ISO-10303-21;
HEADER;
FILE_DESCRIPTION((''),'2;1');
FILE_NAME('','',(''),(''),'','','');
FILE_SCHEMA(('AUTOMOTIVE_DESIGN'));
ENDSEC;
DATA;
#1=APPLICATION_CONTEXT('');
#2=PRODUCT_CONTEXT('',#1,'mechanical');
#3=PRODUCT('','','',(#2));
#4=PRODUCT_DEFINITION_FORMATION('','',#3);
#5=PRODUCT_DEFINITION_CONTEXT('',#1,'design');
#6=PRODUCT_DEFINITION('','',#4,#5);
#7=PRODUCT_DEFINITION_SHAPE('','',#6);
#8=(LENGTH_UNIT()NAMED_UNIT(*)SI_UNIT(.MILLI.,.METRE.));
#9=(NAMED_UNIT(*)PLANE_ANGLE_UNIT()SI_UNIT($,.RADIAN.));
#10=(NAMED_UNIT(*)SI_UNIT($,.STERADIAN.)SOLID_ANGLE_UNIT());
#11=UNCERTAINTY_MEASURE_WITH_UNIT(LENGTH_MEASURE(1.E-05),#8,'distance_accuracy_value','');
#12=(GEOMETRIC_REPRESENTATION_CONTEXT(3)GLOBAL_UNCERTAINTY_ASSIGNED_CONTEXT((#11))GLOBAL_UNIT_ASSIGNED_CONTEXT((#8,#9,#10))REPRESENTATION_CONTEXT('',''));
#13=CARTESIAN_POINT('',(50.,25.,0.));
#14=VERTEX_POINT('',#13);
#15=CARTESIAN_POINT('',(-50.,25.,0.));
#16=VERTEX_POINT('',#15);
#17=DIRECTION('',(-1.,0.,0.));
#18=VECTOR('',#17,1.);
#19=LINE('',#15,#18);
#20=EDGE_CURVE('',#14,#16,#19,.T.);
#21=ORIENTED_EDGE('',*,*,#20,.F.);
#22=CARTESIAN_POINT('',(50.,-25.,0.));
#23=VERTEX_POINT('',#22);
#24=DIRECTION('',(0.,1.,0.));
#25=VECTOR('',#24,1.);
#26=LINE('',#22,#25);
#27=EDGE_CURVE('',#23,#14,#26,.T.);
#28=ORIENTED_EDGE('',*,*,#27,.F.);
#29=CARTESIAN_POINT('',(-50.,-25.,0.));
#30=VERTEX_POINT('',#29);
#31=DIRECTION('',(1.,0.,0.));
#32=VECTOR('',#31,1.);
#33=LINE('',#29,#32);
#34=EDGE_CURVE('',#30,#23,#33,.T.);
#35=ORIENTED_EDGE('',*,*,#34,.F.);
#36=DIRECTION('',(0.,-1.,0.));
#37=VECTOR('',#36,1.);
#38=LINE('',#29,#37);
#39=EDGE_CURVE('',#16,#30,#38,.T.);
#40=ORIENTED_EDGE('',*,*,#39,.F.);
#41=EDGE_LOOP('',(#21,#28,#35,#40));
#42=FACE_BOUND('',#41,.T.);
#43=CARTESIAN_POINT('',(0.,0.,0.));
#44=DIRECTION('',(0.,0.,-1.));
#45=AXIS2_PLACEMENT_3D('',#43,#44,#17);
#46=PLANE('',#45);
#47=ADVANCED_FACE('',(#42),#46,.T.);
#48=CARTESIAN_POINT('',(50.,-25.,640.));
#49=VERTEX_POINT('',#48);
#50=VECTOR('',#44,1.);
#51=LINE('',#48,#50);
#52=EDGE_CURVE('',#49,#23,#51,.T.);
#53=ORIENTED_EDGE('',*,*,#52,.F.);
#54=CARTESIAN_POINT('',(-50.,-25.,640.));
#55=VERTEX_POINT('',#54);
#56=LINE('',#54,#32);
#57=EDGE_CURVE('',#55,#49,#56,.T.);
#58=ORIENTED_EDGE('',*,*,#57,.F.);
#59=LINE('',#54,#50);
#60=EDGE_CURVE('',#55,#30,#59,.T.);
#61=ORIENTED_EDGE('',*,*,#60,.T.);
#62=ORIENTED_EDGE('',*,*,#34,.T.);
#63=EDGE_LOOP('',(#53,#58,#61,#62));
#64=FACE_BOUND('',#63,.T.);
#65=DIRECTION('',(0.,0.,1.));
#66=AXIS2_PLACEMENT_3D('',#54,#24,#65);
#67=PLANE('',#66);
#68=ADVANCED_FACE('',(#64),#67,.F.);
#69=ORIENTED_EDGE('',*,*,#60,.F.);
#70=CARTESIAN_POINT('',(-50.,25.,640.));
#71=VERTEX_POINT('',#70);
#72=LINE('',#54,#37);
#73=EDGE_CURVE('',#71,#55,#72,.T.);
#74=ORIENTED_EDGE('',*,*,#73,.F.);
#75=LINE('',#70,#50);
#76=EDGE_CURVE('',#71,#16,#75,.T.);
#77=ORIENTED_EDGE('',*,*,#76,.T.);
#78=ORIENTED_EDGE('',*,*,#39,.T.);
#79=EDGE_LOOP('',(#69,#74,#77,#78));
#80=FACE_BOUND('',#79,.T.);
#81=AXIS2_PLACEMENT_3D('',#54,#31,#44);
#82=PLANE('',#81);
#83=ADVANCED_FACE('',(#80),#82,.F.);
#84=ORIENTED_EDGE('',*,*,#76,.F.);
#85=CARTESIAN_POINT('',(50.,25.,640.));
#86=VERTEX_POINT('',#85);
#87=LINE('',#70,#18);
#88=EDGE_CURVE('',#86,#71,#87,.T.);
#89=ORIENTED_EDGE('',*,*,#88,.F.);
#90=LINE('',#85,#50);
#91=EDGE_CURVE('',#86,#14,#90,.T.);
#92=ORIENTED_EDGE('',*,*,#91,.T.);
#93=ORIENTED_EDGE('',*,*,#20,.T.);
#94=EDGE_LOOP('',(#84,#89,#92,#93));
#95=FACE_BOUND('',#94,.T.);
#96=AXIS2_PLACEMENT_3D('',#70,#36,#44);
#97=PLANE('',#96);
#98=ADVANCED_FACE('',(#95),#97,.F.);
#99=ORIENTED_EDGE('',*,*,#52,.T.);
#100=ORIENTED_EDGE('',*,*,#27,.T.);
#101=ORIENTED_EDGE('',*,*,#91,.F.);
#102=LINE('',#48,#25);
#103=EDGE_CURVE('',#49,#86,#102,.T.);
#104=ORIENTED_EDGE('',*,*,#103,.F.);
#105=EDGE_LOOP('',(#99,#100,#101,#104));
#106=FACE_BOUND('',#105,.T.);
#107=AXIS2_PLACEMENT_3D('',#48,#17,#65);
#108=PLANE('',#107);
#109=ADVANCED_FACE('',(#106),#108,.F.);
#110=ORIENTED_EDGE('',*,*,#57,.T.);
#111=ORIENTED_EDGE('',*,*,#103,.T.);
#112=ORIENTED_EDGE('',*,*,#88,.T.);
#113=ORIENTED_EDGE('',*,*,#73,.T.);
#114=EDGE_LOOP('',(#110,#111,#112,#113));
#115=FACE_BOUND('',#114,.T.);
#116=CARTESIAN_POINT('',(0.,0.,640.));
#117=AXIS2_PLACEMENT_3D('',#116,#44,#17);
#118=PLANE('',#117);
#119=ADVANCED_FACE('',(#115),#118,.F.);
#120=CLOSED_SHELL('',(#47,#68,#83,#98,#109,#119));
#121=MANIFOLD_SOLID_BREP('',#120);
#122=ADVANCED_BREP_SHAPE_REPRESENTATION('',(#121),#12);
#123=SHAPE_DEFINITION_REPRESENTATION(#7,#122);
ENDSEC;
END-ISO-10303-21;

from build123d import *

# Parameters (mm, degrees)
SKETCH1_W           = 100
SKETCH1_H           = 50
BOSS_EXTRUDE1_DEPTH = 640


with BuildPart() as part:
    # Sketch1 → Boss-Extrude1 (new body)
    with BuildSketch(Plane.XY):
        Rectangle(SKETCH1_W, SKETCH1_H)
    extrude(amount=BOSS_EXTRUDE1_DEPTH)


solid = part.part
